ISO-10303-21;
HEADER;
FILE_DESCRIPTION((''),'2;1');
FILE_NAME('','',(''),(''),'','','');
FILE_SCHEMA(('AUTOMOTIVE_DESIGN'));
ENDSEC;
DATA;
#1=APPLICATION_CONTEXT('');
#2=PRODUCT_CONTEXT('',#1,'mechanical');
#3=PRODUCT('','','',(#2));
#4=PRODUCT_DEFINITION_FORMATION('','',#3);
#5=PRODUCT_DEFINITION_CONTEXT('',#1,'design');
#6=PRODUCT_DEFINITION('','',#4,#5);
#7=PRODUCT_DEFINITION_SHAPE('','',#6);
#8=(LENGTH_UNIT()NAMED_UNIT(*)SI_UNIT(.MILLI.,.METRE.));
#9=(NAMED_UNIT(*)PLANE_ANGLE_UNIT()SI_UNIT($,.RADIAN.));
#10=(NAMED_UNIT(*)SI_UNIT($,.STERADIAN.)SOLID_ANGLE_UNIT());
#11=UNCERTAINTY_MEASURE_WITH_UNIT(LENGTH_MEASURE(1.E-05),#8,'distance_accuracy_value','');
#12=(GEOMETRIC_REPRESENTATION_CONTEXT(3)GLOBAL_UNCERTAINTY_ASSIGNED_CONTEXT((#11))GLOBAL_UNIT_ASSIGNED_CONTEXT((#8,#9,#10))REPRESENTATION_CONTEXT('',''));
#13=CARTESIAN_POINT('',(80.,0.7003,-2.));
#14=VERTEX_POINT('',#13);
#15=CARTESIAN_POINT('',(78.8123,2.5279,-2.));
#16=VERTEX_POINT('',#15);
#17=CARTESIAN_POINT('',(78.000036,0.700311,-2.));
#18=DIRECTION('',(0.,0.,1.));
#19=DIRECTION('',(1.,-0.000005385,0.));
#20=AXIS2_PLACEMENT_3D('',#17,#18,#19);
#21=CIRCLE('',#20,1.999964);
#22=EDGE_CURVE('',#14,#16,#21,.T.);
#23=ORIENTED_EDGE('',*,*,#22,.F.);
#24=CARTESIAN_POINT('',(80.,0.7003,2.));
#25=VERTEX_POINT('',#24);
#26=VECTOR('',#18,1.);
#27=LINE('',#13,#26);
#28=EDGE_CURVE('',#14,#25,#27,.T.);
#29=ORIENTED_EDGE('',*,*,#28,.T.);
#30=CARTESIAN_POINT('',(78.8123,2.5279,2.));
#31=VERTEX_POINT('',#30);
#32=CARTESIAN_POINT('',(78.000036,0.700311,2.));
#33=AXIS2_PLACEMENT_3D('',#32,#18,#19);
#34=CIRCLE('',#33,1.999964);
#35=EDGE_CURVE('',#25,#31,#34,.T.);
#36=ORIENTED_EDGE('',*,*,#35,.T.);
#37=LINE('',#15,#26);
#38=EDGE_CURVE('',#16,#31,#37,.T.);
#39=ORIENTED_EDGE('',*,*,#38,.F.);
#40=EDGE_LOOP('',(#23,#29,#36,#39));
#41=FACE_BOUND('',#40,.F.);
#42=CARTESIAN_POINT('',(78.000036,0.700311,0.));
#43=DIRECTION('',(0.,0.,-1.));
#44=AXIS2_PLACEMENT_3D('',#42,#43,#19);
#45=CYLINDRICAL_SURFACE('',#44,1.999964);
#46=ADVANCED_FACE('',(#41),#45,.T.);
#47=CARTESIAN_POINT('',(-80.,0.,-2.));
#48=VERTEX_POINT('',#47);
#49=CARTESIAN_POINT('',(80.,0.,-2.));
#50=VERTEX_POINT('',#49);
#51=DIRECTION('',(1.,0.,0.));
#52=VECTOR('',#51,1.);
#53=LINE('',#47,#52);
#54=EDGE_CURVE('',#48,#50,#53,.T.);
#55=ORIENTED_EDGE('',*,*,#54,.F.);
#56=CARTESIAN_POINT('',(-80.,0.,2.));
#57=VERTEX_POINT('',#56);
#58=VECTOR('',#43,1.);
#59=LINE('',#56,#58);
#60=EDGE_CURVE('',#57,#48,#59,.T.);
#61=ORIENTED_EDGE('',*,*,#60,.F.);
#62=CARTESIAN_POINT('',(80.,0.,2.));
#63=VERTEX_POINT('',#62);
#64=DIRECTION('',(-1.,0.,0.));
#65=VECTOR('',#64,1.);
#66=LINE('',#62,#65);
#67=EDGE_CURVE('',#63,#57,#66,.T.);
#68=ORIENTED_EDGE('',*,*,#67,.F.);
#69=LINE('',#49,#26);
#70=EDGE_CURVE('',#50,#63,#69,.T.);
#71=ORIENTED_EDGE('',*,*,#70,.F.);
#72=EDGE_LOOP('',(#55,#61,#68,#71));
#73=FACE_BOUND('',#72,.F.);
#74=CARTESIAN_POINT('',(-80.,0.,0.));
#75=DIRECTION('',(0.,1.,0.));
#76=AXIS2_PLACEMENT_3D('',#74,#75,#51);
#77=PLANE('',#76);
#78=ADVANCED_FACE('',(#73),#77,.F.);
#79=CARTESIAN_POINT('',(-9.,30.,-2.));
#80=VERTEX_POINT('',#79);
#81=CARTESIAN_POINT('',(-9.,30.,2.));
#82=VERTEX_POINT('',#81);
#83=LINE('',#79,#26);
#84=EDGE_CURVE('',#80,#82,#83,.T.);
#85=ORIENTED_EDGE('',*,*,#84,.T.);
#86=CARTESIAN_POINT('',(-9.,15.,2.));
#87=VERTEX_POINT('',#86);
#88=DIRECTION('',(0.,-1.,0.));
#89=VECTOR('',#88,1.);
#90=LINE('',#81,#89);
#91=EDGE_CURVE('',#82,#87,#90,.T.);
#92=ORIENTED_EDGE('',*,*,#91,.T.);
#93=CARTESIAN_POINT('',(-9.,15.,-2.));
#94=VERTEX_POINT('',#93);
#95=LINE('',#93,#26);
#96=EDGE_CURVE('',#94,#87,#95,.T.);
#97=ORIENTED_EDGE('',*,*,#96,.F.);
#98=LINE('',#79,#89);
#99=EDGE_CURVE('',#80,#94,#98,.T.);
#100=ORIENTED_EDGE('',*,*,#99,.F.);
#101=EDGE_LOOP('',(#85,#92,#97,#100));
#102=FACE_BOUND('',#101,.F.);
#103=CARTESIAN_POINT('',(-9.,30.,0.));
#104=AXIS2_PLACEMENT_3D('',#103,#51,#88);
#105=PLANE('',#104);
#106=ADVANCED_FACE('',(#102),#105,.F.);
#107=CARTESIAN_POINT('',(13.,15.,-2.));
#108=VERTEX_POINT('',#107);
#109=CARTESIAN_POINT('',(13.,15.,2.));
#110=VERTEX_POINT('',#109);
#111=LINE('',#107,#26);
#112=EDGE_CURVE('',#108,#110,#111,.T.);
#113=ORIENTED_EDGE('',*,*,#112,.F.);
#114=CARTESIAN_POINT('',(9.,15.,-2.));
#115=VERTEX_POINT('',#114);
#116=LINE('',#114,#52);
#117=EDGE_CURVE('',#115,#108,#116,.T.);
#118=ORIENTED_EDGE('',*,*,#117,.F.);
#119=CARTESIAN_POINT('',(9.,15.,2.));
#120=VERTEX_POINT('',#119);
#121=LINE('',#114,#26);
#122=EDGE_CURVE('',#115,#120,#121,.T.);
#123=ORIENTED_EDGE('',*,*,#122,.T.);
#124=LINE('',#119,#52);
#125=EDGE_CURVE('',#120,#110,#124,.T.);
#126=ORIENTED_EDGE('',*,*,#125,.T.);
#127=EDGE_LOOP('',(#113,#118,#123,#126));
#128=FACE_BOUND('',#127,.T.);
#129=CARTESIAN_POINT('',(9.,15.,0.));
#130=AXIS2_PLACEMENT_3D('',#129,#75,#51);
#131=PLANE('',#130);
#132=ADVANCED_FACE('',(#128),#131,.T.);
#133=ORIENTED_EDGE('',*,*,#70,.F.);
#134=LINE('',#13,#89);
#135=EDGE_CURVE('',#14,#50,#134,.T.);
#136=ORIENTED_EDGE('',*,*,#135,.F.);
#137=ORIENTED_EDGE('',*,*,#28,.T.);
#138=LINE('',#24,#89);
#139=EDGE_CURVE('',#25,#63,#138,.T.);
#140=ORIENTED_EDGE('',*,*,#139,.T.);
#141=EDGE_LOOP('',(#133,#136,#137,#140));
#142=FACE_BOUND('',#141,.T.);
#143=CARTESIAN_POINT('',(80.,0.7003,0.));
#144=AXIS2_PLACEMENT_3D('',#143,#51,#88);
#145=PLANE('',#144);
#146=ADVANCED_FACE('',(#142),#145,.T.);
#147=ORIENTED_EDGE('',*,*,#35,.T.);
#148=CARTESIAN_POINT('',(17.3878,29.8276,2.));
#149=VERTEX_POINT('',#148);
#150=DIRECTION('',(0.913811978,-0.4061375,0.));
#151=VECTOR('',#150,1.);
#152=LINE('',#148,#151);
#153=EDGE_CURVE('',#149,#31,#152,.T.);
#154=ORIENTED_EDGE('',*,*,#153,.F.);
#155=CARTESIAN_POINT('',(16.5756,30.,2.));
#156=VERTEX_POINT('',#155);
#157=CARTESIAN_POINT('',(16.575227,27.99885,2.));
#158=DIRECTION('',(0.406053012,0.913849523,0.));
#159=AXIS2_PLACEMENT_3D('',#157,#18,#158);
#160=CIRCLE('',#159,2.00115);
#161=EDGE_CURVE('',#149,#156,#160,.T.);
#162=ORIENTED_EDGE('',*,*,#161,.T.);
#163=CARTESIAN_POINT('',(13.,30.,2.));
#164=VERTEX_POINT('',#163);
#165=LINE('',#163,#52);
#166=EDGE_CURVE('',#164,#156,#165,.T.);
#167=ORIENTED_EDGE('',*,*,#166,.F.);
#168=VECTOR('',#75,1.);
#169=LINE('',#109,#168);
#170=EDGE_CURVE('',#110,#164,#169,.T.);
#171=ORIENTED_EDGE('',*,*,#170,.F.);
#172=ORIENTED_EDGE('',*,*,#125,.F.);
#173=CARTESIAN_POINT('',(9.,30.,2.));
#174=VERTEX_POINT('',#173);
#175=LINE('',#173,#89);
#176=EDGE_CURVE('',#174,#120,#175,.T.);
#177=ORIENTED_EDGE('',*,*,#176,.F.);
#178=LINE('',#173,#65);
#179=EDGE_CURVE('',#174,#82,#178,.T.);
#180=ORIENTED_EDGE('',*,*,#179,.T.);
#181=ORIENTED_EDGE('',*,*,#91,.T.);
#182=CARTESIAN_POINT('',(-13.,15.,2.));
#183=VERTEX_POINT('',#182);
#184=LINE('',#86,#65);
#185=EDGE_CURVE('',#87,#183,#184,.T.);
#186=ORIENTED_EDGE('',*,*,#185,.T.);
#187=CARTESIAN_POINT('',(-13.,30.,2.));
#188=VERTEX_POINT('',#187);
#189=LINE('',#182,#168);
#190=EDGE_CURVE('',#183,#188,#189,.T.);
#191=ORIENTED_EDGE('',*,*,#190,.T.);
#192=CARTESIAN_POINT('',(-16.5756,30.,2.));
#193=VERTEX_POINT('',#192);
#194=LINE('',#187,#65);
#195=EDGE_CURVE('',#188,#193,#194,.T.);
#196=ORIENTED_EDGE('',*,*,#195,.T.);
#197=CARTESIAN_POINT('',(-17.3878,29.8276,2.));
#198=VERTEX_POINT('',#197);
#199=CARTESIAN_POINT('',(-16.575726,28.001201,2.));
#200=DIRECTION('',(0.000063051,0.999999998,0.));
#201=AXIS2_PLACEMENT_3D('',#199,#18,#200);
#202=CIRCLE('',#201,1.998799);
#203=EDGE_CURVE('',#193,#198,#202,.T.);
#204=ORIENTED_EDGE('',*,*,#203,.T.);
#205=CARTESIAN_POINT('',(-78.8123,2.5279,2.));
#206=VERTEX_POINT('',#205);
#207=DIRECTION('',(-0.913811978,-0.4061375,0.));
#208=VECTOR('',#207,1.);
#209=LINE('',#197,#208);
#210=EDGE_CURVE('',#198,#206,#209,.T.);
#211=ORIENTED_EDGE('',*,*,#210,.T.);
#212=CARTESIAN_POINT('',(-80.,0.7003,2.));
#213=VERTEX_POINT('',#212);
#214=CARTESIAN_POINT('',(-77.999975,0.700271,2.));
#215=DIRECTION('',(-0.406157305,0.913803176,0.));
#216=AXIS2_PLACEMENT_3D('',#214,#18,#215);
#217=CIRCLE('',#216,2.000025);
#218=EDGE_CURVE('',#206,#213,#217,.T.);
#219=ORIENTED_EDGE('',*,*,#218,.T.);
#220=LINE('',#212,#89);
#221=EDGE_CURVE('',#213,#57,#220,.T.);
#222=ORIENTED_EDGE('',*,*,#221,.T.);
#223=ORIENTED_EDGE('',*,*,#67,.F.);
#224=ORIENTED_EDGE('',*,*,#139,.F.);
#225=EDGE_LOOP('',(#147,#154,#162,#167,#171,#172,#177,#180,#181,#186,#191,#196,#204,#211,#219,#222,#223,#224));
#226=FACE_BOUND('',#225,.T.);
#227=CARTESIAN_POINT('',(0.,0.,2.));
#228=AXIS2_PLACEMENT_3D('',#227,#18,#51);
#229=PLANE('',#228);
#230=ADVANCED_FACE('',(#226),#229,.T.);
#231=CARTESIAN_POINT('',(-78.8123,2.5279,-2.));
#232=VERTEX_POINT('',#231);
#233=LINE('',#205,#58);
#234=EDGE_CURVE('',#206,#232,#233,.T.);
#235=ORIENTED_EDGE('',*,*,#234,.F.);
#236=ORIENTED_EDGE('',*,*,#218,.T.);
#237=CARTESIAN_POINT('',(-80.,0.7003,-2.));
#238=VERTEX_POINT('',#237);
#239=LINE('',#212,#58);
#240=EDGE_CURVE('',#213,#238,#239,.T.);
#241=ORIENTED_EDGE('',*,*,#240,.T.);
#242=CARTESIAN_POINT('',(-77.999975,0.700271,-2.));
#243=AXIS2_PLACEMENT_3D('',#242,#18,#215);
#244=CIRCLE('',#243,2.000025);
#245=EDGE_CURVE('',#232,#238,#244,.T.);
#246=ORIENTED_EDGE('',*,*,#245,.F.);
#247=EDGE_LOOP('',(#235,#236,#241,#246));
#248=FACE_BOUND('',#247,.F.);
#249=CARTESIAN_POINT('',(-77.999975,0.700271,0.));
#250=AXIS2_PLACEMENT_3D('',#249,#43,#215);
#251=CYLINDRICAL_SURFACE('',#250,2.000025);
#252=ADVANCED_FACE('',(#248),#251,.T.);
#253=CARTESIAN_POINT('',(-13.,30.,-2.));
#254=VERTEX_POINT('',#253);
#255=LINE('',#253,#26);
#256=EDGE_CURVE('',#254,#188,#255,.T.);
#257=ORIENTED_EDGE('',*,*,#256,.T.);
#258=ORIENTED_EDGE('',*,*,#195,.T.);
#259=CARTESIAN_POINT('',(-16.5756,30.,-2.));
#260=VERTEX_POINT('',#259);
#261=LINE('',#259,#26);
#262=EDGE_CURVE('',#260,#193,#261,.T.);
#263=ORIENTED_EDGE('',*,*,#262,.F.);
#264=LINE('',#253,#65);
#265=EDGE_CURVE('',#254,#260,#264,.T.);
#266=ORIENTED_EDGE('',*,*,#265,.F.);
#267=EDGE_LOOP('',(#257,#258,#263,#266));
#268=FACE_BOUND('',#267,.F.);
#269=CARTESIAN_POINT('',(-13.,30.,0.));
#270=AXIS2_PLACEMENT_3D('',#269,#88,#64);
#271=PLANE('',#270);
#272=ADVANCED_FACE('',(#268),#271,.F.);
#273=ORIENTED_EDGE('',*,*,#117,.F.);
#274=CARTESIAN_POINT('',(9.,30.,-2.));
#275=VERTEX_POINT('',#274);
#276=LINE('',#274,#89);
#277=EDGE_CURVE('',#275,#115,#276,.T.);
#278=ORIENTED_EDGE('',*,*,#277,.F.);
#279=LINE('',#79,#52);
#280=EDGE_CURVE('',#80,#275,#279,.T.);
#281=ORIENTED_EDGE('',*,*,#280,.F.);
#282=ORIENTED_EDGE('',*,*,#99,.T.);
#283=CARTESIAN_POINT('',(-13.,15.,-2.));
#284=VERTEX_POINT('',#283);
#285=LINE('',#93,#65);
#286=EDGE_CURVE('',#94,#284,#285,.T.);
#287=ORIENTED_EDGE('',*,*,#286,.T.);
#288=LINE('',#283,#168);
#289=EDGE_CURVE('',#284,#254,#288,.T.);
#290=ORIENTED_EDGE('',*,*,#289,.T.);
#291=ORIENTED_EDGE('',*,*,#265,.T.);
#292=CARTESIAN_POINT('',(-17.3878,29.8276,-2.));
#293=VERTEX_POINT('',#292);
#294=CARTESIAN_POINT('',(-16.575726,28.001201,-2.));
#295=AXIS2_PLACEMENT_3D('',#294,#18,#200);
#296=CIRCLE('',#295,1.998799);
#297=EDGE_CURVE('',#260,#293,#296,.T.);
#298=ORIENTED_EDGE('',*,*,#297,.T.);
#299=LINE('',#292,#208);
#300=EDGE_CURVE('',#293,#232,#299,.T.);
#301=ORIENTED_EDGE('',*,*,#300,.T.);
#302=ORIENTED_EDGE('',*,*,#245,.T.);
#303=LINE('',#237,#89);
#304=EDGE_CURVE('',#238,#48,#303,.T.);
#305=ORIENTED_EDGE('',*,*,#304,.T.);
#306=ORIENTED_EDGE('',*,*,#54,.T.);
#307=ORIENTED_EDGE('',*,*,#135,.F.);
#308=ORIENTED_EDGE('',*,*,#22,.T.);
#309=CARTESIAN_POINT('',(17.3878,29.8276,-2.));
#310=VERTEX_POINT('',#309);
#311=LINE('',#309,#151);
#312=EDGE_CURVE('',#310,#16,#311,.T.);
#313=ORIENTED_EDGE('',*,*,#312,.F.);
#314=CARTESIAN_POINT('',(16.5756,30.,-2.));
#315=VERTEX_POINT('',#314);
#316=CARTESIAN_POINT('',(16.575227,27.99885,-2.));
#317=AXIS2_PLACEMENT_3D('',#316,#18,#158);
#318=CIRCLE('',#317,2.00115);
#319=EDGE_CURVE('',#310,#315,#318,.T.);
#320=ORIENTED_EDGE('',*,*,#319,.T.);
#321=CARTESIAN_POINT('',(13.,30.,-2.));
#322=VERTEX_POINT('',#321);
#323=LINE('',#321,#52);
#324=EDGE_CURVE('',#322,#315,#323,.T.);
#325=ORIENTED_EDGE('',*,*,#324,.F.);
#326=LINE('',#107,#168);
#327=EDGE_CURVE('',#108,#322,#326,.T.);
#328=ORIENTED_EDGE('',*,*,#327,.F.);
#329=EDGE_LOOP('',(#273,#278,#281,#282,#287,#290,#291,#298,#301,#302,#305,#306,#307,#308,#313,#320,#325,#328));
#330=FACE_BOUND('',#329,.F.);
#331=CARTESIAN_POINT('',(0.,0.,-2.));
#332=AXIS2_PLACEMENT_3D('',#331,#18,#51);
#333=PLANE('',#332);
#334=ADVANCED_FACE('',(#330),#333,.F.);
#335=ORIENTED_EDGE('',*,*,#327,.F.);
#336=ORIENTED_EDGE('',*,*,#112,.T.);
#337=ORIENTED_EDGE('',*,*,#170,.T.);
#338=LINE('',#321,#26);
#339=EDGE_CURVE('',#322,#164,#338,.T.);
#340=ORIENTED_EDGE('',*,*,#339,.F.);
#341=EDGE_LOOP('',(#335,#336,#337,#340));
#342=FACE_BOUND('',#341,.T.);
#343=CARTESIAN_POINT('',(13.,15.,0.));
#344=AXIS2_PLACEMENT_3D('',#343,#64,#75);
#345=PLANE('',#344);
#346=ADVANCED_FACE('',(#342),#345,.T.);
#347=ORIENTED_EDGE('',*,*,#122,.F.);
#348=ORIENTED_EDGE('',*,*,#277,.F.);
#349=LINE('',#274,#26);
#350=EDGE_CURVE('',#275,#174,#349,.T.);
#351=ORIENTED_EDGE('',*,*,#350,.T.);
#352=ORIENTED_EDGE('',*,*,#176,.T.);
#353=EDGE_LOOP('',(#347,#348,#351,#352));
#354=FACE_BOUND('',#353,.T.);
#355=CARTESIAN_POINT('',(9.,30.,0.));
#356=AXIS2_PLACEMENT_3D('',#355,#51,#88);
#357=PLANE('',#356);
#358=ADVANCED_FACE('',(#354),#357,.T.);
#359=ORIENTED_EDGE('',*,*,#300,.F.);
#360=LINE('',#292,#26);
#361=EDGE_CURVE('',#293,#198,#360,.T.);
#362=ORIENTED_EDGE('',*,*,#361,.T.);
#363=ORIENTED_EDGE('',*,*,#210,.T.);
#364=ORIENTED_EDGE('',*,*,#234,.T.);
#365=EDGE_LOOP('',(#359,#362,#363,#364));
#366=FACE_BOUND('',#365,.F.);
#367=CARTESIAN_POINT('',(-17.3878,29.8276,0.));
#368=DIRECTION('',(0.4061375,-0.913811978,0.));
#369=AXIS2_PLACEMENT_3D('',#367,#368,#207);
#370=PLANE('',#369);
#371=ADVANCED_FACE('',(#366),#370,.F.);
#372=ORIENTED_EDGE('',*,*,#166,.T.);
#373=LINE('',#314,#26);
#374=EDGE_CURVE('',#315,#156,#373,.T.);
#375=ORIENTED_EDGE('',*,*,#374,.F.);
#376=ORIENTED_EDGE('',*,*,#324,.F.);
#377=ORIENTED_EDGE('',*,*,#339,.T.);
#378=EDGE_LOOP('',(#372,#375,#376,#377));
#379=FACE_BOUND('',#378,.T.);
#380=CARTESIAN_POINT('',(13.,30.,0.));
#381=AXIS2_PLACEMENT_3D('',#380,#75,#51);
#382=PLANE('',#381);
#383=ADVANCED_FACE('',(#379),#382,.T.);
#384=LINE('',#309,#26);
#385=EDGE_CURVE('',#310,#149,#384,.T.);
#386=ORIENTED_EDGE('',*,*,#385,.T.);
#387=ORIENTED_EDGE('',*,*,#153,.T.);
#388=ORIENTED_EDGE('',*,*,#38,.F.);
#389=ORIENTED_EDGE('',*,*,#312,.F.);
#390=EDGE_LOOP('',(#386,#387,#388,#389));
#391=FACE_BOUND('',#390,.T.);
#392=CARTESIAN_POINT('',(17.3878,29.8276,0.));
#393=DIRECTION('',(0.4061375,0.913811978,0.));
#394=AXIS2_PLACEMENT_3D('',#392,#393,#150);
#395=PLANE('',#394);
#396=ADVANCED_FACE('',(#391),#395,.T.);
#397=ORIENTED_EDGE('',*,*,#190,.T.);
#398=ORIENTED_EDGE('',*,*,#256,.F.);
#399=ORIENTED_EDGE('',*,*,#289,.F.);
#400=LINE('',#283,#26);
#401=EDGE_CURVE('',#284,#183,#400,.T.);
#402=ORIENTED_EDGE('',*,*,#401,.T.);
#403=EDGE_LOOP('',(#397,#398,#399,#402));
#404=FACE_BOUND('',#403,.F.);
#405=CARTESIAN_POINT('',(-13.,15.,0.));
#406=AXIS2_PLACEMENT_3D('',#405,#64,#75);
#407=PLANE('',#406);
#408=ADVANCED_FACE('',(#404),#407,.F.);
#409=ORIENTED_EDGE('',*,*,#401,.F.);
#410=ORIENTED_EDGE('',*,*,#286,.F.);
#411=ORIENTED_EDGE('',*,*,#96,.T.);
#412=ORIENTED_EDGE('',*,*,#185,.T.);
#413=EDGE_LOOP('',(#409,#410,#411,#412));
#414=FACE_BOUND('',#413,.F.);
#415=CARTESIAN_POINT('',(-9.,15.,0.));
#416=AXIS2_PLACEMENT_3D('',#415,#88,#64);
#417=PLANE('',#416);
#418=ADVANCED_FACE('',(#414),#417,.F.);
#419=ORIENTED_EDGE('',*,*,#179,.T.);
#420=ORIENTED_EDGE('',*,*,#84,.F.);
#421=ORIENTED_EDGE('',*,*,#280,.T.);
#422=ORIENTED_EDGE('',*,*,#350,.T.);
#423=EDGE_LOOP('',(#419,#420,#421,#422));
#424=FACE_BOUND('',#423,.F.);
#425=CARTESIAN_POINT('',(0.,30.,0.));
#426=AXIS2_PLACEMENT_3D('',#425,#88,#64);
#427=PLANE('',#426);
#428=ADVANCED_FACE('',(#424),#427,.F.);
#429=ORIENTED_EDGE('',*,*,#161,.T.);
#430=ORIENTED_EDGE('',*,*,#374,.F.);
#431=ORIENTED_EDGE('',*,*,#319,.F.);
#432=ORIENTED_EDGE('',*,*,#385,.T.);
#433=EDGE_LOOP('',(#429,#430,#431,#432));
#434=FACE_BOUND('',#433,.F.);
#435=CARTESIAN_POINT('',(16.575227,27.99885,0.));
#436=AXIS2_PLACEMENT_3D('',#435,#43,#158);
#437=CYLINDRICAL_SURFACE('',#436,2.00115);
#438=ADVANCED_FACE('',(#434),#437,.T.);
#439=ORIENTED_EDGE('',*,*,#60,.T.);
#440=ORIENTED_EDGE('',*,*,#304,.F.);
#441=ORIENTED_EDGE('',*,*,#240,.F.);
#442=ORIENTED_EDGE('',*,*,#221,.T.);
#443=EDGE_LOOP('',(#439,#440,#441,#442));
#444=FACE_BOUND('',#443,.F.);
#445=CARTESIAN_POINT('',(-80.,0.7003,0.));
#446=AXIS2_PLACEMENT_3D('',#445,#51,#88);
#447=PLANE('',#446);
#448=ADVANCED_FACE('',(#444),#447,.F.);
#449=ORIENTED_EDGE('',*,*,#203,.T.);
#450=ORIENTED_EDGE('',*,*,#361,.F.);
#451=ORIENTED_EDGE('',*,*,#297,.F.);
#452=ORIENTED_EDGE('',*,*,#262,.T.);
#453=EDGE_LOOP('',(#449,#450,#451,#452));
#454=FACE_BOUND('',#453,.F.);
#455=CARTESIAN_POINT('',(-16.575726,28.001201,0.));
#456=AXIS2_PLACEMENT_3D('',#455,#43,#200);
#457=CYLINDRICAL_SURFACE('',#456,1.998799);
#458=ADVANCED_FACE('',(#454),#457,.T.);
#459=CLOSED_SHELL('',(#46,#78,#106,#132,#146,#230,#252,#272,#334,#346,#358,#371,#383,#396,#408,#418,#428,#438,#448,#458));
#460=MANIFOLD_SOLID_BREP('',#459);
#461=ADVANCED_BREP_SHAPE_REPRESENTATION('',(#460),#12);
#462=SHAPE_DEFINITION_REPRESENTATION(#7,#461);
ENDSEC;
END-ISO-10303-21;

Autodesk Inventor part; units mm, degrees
ref_plane "YZ Plane" through (0, 0, 0) normal (1, 0, 0) x (0, 1, 0)
ref_plane "XZ Plane" through (0, 0, 0) normal (0, 1, 0) x (-1, 0, 0)
ref_plane "XY Plane" through (0, 0, 0) normal (0, 0, 1) x (1, 0, 0)
sketch "Náčrt1" plane through (0, 0, 0) normal (0, 0, 1) x (1, 0, 0)
  line L0 (0, 0) -> (0, 30)
  line L1 (0, 30) -> (-9, 30)
  line L2 (-9, 30) -> (-9, 15)
  line L3 (-9, 15) -> (-13, 15)
  line L4 (-13, 15) -> (-13, 30)
  line L5 (-13, 30) -> (-16.5756, 30)
  line L6 (-17.3878, 29.8276) -> (-78.8123, 2.5279)
  line L7 (-80, 0.7003) -> (-80, 0)
  line L8 (-80, 0) -> (0, 0)
  arc A0 (-78.8123, 2.5279) -> (-80, 0.7003) centre (-78, 0.7003) ccw
  arc A1 (-16.5756, 30) -> (-17.3878, 29.8276) centre (-16.5756, 28) ccw
  line L9 (0, 30) -> (9, 30)
  line L10 (9, 30) -> (9, 15)
  line L11 (9, 15) -> (13, 15)
  line L12 (13, 15) -> (13, 30)
  line L13 (13, 30) -> (16.5756, 30)
  line L14 (17.3878, 29.8276) -> (78.8123, 2.5279)
  line L15 (80, 0.7003) -> (80, 0)
  line L16 (80, 0) -> (0, 0)
  arc A2 (80, 0.7003) -> (78.8123, 2.5279) centre (78, 0.7003) ccw
  arc A3 (17.3878, 29.8276) -> (16.5756, 30) centre (16.5756, 28) ccw
  point P0 (-17, 30)
  point P1 (-80, 2)
  point P2 (17, 30)
  point P3 (80, 2)
  dimension "d0" = 15
  dimension "d1" = 15
  dimension "d4" = 4
  dimension "d5" = 4
  dimension "d6" = 9
  dimension "d7" = 2
  dimension "d8" = 80
  dimension "d9" = 2
extrude "Vysunutí1" add sketch "Náčrt1" along normal mid plane 4
equation "\"d10\" = d4"
properties part number "Leg"
